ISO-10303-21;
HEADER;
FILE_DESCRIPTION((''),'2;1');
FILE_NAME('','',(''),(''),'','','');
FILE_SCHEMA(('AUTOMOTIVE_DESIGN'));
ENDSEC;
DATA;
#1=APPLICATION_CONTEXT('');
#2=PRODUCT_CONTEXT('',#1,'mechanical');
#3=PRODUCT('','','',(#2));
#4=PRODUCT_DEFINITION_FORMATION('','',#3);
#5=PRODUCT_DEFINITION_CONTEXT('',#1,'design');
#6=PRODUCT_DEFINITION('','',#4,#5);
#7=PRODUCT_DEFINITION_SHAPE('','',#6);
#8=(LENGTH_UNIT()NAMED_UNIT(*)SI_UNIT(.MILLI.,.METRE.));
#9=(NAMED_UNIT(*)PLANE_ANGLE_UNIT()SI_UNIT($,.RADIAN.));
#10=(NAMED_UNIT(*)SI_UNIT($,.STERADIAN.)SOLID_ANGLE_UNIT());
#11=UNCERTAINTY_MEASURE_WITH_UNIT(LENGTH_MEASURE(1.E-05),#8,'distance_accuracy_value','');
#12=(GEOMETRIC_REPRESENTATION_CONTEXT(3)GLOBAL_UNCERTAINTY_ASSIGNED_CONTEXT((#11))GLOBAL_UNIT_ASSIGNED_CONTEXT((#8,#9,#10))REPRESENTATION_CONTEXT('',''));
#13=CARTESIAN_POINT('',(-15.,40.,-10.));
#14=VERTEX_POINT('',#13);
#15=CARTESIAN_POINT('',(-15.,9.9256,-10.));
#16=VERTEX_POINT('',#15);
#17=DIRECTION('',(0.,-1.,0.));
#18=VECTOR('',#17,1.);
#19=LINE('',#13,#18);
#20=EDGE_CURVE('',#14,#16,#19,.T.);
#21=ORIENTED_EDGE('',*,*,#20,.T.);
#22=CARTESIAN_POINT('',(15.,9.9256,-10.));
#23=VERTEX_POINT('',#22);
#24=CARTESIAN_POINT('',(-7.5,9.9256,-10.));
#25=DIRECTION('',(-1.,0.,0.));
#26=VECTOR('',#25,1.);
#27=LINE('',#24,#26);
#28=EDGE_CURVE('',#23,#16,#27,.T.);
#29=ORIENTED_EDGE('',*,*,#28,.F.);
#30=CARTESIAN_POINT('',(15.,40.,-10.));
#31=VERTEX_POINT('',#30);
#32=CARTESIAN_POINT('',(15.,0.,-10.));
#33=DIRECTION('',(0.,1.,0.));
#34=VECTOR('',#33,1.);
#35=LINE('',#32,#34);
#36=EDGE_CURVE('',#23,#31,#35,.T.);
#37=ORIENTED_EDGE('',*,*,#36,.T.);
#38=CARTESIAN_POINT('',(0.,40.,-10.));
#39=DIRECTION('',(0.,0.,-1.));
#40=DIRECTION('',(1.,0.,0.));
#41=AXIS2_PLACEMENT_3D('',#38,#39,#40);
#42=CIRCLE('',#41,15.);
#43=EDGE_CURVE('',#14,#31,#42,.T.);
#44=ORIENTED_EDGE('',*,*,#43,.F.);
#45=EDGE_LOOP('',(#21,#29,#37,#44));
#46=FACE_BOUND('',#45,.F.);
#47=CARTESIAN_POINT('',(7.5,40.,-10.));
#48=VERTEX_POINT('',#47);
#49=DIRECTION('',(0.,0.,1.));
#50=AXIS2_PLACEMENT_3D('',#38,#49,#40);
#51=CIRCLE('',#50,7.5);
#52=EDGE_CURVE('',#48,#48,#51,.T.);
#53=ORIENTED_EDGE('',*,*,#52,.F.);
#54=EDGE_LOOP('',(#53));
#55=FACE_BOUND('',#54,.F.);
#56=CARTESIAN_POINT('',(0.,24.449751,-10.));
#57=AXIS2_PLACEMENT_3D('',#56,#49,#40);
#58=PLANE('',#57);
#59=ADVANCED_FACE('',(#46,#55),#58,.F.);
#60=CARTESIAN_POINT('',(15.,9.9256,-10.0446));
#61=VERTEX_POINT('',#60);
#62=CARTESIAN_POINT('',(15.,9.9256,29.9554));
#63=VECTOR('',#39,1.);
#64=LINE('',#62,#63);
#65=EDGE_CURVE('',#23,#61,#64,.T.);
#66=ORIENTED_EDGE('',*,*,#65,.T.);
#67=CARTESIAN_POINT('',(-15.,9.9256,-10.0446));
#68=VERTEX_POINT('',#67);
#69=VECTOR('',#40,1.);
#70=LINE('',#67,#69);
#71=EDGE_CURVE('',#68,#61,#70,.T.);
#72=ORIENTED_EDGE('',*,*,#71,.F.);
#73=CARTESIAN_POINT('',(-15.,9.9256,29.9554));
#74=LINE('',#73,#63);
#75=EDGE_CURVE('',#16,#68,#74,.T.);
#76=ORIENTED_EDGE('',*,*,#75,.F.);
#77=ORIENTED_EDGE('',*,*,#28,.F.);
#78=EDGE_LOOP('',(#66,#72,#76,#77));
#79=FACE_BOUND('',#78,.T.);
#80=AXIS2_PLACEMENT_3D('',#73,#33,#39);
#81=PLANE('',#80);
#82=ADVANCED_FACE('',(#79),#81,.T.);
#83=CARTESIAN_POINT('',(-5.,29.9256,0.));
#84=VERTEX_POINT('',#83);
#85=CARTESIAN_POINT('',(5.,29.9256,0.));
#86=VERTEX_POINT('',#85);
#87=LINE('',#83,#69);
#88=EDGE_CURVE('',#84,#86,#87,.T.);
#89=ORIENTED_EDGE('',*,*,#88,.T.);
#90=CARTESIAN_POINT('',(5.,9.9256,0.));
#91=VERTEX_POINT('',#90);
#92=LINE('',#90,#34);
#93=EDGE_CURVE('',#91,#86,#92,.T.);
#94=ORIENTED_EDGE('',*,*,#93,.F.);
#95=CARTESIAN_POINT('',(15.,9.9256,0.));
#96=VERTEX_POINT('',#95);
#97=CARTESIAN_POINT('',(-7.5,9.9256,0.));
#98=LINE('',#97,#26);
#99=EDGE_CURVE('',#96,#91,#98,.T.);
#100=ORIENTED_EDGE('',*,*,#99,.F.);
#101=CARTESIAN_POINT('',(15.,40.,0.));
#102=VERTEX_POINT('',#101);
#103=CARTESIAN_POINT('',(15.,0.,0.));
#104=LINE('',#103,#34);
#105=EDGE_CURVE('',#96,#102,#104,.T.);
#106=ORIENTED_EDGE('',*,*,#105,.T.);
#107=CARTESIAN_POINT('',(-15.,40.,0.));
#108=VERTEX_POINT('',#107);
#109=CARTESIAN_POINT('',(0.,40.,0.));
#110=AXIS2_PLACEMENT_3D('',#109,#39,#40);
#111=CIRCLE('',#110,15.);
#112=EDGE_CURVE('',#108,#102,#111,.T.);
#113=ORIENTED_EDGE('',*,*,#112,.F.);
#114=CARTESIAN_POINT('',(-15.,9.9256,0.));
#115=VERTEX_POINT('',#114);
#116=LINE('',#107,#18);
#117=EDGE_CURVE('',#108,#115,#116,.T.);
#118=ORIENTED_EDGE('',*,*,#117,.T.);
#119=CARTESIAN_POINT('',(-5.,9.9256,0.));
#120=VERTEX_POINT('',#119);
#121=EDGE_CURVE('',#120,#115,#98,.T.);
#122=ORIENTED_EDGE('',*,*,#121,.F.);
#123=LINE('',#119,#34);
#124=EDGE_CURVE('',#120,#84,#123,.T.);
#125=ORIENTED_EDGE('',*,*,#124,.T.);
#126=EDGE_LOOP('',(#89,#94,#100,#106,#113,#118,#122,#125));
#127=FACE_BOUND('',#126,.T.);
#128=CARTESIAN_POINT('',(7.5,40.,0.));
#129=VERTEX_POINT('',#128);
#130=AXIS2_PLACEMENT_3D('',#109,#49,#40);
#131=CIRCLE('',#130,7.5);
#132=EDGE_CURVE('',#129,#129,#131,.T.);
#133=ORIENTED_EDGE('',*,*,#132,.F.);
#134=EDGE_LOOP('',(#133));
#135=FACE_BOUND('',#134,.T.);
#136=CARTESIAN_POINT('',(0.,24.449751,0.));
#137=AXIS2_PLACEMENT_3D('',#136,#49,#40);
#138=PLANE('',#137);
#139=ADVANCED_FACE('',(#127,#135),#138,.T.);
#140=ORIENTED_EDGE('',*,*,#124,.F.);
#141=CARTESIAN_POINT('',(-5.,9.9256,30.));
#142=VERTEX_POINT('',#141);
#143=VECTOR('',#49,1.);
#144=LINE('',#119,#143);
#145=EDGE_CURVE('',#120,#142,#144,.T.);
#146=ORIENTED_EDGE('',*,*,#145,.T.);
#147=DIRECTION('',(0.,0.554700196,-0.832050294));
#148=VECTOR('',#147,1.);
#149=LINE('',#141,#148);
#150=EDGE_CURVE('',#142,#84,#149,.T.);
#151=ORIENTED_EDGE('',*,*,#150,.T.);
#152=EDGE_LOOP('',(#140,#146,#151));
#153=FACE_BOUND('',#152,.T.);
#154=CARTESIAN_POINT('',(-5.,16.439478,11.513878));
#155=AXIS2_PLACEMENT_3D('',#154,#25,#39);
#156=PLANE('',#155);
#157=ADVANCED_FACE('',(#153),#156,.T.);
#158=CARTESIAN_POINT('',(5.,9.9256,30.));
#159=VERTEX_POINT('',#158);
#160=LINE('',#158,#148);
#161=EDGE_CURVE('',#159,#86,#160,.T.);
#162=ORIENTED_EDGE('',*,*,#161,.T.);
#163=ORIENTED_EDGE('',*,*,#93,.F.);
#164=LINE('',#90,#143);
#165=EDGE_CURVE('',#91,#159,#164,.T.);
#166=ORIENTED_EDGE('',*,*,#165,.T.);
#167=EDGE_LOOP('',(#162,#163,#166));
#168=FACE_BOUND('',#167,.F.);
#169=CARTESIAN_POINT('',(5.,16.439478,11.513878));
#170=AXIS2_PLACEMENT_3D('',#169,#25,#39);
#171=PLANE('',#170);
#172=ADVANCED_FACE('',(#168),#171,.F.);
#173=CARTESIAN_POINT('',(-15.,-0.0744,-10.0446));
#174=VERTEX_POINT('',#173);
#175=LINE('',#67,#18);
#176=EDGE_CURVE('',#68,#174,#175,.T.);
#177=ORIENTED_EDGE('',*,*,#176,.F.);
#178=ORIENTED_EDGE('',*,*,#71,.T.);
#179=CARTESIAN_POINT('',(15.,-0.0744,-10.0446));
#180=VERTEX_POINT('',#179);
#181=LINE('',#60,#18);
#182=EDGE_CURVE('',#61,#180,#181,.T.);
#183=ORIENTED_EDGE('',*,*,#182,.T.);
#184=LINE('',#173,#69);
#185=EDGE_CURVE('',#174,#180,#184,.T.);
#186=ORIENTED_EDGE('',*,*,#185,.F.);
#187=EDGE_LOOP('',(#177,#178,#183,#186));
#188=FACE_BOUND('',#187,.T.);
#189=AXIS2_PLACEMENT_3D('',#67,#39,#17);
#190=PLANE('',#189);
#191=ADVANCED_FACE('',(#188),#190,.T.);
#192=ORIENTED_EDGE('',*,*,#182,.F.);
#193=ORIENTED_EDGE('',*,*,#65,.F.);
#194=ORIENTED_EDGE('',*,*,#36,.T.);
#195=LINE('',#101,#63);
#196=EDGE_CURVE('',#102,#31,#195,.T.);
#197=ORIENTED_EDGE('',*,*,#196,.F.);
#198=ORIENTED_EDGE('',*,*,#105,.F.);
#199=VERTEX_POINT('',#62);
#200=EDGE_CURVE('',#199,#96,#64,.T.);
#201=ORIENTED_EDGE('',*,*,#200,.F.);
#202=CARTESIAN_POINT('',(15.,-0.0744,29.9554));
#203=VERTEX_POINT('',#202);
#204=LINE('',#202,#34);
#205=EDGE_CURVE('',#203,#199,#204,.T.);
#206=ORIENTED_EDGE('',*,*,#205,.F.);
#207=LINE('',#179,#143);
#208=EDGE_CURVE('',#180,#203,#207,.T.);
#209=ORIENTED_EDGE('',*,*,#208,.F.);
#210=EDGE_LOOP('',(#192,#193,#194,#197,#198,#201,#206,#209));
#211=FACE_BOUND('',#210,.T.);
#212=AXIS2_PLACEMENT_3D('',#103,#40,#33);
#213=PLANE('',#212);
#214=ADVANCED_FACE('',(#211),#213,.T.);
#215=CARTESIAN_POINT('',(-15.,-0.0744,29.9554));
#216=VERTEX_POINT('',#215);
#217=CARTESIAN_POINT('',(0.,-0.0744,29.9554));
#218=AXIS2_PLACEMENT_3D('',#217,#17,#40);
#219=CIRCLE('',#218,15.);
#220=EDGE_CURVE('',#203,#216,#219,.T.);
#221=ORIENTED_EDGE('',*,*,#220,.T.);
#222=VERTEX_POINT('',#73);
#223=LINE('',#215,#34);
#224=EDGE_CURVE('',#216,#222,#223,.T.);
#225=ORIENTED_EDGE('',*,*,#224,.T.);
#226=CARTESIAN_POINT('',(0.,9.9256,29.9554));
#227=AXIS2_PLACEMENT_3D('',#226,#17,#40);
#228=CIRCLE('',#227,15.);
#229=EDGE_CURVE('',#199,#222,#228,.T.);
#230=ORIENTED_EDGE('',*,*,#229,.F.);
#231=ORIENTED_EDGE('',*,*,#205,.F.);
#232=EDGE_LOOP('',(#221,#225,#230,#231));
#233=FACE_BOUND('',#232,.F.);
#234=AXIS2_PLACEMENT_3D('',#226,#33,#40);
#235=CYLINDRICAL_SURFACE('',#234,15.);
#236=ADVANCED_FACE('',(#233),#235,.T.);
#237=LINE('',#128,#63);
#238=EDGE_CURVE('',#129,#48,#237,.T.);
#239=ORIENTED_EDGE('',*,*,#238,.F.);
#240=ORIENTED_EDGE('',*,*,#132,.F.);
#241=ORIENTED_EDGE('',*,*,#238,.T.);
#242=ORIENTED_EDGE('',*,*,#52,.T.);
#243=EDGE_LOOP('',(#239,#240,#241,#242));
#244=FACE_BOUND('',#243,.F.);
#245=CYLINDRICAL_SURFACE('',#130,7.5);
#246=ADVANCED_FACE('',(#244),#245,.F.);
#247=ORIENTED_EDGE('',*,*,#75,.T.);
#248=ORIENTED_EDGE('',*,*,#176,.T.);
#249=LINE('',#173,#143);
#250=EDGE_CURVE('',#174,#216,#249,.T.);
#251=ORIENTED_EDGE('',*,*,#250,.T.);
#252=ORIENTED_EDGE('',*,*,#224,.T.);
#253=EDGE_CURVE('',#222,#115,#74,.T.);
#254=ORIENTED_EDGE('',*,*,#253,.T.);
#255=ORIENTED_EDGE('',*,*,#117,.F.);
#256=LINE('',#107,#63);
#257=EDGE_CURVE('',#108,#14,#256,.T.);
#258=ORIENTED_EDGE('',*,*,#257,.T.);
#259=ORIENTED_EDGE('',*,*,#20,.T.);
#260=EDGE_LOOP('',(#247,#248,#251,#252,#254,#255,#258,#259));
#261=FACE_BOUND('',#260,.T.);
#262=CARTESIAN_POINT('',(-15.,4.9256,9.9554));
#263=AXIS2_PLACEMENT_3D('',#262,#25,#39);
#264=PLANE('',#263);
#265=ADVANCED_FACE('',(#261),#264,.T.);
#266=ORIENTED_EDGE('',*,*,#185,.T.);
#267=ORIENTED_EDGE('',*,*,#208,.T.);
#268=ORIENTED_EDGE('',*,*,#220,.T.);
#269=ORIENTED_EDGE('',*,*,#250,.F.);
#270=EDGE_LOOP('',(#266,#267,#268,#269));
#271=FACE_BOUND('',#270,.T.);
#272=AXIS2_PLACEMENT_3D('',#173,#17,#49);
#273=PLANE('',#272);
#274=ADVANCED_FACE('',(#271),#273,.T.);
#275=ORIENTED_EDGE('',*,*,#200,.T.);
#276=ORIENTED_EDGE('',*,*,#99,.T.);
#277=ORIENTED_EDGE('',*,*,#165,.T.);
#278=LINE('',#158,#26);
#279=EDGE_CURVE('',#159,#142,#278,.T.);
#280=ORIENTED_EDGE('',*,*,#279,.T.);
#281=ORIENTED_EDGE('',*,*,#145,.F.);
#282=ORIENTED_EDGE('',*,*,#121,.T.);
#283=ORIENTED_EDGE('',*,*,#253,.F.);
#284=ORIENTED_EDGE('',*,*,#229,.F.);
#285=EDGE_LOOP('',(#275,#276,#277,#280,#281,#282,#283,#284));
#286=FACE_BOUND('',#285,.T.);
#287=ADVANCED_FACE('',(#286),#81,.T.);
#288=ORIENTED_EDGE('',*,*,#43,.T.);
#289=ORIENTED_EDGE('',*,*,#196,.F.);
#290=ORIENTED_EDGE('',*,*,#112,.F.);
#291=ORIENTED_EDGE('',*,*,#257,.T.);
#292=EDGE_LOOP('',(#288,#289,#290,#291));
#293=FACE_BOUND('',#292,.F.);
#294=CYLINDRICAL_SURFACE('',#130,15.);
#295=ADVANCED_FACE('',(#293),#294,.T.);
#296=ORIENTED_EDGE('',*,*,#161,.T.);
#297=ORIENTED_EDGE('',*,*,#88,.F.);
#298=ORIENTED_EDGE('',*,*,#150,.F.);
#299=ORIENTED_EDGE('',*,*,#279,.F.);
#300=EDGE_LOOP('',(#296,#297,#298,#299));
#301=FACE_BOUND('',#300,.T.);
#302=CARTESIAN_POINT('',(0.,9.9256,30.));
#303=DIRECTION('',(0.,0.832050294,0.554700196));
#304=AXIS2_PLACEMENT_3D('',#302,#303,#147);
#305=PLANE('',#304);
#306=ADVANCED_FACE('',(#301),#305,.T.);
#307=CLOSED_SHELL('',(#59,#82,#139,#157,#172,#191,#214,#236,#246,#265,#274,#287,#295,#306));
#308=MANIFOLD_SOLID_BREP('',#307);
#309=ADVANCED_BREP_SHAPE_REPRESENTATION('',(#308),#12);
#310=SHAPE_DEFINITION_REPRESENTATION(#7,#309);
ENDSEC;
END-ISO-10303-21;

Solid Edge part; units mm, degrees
sketch "Sketch1" plane through (0, 0, 0) normal (0, 0, 1) x (1, 0, 0)
  line L0 (15, 0) -> (15, 40)
  line L1 (-15, 0) -> (15, 0)
  line L2 (-15, 40) -> (-15, 0)
  arc A0 (-15, 40) -> (15, 40) centre (0, 40) cw
extrude "Protrusion1" add sketch "Sketch1" against normal blind 10
sketch "Sketch2" plane through (0, 0, 0) normal (0, 0, 1) x (1, 0, 0)
  circle A0 centre (0, 40) radius 7.5
extrude "ExtrudedCutout_2" cut sketch "Sketch2" against normal blind 10
sketch "Sketch3" plane through (-15, 20, -5) normal (-1, 0, 0) x (0, 0, 1)
  line L0 (34.9554, -10.0744) -> (-5.0446, -10.0744)
  line L1 (-5.0446, -10.0744) -> (-5.0446, -20.0744)
  line L2 (-5.0446, -20.0744) -> (34.9554, -20.0744)
  line L3 (34.9554, -20.0744) -> (34.9554, -10.0744)
extrude "ExtrudedProtrusion_2" add sketch "Sketch3" against normal blind 30
sketch "Sketch4" plane through (0, 9.9256, 14.9777) normal (0, 1, 0) x (1, 0, 0)
  arc A0 (14.9999, -14.9131) -> (-14.9999, -14.9131) centre (0, -14.9777) cw
extrude "ExtrudedProtrusion_3" add sketch "Sketch4" against normal blind 10 material side at (0, 9.9256, 44.9054)
sketch "Sketch5" plane through (0, 0, 0) normal (1, 0, 0) x (0, 1, 0)
  line L0 (9.9256, 30) -> (29.9256, 0)
  line L1 (9.9256, 0) -> (29.9256, 0)
  line L2 (9.9256, 0) -> (9.9256, 30)
extrude "ExtrudedProtrusion_5" add sketch "Sketch5" along normal blind 5
sketch "Sketch6" plane through (0, 0, 0) normal (1, 0, 0) x (0, 1, 0)
  line L0 (9.9256, 30) -> (29.9256, 0)
  line L1 (9.9256, 0) -> (29.9256, 0)
  line L2 (9.9256, 0) -> (9.9256, 30)
extrude "ExtrudedProtrusion_6" add sketch "Sketch6" against normal blind 5
